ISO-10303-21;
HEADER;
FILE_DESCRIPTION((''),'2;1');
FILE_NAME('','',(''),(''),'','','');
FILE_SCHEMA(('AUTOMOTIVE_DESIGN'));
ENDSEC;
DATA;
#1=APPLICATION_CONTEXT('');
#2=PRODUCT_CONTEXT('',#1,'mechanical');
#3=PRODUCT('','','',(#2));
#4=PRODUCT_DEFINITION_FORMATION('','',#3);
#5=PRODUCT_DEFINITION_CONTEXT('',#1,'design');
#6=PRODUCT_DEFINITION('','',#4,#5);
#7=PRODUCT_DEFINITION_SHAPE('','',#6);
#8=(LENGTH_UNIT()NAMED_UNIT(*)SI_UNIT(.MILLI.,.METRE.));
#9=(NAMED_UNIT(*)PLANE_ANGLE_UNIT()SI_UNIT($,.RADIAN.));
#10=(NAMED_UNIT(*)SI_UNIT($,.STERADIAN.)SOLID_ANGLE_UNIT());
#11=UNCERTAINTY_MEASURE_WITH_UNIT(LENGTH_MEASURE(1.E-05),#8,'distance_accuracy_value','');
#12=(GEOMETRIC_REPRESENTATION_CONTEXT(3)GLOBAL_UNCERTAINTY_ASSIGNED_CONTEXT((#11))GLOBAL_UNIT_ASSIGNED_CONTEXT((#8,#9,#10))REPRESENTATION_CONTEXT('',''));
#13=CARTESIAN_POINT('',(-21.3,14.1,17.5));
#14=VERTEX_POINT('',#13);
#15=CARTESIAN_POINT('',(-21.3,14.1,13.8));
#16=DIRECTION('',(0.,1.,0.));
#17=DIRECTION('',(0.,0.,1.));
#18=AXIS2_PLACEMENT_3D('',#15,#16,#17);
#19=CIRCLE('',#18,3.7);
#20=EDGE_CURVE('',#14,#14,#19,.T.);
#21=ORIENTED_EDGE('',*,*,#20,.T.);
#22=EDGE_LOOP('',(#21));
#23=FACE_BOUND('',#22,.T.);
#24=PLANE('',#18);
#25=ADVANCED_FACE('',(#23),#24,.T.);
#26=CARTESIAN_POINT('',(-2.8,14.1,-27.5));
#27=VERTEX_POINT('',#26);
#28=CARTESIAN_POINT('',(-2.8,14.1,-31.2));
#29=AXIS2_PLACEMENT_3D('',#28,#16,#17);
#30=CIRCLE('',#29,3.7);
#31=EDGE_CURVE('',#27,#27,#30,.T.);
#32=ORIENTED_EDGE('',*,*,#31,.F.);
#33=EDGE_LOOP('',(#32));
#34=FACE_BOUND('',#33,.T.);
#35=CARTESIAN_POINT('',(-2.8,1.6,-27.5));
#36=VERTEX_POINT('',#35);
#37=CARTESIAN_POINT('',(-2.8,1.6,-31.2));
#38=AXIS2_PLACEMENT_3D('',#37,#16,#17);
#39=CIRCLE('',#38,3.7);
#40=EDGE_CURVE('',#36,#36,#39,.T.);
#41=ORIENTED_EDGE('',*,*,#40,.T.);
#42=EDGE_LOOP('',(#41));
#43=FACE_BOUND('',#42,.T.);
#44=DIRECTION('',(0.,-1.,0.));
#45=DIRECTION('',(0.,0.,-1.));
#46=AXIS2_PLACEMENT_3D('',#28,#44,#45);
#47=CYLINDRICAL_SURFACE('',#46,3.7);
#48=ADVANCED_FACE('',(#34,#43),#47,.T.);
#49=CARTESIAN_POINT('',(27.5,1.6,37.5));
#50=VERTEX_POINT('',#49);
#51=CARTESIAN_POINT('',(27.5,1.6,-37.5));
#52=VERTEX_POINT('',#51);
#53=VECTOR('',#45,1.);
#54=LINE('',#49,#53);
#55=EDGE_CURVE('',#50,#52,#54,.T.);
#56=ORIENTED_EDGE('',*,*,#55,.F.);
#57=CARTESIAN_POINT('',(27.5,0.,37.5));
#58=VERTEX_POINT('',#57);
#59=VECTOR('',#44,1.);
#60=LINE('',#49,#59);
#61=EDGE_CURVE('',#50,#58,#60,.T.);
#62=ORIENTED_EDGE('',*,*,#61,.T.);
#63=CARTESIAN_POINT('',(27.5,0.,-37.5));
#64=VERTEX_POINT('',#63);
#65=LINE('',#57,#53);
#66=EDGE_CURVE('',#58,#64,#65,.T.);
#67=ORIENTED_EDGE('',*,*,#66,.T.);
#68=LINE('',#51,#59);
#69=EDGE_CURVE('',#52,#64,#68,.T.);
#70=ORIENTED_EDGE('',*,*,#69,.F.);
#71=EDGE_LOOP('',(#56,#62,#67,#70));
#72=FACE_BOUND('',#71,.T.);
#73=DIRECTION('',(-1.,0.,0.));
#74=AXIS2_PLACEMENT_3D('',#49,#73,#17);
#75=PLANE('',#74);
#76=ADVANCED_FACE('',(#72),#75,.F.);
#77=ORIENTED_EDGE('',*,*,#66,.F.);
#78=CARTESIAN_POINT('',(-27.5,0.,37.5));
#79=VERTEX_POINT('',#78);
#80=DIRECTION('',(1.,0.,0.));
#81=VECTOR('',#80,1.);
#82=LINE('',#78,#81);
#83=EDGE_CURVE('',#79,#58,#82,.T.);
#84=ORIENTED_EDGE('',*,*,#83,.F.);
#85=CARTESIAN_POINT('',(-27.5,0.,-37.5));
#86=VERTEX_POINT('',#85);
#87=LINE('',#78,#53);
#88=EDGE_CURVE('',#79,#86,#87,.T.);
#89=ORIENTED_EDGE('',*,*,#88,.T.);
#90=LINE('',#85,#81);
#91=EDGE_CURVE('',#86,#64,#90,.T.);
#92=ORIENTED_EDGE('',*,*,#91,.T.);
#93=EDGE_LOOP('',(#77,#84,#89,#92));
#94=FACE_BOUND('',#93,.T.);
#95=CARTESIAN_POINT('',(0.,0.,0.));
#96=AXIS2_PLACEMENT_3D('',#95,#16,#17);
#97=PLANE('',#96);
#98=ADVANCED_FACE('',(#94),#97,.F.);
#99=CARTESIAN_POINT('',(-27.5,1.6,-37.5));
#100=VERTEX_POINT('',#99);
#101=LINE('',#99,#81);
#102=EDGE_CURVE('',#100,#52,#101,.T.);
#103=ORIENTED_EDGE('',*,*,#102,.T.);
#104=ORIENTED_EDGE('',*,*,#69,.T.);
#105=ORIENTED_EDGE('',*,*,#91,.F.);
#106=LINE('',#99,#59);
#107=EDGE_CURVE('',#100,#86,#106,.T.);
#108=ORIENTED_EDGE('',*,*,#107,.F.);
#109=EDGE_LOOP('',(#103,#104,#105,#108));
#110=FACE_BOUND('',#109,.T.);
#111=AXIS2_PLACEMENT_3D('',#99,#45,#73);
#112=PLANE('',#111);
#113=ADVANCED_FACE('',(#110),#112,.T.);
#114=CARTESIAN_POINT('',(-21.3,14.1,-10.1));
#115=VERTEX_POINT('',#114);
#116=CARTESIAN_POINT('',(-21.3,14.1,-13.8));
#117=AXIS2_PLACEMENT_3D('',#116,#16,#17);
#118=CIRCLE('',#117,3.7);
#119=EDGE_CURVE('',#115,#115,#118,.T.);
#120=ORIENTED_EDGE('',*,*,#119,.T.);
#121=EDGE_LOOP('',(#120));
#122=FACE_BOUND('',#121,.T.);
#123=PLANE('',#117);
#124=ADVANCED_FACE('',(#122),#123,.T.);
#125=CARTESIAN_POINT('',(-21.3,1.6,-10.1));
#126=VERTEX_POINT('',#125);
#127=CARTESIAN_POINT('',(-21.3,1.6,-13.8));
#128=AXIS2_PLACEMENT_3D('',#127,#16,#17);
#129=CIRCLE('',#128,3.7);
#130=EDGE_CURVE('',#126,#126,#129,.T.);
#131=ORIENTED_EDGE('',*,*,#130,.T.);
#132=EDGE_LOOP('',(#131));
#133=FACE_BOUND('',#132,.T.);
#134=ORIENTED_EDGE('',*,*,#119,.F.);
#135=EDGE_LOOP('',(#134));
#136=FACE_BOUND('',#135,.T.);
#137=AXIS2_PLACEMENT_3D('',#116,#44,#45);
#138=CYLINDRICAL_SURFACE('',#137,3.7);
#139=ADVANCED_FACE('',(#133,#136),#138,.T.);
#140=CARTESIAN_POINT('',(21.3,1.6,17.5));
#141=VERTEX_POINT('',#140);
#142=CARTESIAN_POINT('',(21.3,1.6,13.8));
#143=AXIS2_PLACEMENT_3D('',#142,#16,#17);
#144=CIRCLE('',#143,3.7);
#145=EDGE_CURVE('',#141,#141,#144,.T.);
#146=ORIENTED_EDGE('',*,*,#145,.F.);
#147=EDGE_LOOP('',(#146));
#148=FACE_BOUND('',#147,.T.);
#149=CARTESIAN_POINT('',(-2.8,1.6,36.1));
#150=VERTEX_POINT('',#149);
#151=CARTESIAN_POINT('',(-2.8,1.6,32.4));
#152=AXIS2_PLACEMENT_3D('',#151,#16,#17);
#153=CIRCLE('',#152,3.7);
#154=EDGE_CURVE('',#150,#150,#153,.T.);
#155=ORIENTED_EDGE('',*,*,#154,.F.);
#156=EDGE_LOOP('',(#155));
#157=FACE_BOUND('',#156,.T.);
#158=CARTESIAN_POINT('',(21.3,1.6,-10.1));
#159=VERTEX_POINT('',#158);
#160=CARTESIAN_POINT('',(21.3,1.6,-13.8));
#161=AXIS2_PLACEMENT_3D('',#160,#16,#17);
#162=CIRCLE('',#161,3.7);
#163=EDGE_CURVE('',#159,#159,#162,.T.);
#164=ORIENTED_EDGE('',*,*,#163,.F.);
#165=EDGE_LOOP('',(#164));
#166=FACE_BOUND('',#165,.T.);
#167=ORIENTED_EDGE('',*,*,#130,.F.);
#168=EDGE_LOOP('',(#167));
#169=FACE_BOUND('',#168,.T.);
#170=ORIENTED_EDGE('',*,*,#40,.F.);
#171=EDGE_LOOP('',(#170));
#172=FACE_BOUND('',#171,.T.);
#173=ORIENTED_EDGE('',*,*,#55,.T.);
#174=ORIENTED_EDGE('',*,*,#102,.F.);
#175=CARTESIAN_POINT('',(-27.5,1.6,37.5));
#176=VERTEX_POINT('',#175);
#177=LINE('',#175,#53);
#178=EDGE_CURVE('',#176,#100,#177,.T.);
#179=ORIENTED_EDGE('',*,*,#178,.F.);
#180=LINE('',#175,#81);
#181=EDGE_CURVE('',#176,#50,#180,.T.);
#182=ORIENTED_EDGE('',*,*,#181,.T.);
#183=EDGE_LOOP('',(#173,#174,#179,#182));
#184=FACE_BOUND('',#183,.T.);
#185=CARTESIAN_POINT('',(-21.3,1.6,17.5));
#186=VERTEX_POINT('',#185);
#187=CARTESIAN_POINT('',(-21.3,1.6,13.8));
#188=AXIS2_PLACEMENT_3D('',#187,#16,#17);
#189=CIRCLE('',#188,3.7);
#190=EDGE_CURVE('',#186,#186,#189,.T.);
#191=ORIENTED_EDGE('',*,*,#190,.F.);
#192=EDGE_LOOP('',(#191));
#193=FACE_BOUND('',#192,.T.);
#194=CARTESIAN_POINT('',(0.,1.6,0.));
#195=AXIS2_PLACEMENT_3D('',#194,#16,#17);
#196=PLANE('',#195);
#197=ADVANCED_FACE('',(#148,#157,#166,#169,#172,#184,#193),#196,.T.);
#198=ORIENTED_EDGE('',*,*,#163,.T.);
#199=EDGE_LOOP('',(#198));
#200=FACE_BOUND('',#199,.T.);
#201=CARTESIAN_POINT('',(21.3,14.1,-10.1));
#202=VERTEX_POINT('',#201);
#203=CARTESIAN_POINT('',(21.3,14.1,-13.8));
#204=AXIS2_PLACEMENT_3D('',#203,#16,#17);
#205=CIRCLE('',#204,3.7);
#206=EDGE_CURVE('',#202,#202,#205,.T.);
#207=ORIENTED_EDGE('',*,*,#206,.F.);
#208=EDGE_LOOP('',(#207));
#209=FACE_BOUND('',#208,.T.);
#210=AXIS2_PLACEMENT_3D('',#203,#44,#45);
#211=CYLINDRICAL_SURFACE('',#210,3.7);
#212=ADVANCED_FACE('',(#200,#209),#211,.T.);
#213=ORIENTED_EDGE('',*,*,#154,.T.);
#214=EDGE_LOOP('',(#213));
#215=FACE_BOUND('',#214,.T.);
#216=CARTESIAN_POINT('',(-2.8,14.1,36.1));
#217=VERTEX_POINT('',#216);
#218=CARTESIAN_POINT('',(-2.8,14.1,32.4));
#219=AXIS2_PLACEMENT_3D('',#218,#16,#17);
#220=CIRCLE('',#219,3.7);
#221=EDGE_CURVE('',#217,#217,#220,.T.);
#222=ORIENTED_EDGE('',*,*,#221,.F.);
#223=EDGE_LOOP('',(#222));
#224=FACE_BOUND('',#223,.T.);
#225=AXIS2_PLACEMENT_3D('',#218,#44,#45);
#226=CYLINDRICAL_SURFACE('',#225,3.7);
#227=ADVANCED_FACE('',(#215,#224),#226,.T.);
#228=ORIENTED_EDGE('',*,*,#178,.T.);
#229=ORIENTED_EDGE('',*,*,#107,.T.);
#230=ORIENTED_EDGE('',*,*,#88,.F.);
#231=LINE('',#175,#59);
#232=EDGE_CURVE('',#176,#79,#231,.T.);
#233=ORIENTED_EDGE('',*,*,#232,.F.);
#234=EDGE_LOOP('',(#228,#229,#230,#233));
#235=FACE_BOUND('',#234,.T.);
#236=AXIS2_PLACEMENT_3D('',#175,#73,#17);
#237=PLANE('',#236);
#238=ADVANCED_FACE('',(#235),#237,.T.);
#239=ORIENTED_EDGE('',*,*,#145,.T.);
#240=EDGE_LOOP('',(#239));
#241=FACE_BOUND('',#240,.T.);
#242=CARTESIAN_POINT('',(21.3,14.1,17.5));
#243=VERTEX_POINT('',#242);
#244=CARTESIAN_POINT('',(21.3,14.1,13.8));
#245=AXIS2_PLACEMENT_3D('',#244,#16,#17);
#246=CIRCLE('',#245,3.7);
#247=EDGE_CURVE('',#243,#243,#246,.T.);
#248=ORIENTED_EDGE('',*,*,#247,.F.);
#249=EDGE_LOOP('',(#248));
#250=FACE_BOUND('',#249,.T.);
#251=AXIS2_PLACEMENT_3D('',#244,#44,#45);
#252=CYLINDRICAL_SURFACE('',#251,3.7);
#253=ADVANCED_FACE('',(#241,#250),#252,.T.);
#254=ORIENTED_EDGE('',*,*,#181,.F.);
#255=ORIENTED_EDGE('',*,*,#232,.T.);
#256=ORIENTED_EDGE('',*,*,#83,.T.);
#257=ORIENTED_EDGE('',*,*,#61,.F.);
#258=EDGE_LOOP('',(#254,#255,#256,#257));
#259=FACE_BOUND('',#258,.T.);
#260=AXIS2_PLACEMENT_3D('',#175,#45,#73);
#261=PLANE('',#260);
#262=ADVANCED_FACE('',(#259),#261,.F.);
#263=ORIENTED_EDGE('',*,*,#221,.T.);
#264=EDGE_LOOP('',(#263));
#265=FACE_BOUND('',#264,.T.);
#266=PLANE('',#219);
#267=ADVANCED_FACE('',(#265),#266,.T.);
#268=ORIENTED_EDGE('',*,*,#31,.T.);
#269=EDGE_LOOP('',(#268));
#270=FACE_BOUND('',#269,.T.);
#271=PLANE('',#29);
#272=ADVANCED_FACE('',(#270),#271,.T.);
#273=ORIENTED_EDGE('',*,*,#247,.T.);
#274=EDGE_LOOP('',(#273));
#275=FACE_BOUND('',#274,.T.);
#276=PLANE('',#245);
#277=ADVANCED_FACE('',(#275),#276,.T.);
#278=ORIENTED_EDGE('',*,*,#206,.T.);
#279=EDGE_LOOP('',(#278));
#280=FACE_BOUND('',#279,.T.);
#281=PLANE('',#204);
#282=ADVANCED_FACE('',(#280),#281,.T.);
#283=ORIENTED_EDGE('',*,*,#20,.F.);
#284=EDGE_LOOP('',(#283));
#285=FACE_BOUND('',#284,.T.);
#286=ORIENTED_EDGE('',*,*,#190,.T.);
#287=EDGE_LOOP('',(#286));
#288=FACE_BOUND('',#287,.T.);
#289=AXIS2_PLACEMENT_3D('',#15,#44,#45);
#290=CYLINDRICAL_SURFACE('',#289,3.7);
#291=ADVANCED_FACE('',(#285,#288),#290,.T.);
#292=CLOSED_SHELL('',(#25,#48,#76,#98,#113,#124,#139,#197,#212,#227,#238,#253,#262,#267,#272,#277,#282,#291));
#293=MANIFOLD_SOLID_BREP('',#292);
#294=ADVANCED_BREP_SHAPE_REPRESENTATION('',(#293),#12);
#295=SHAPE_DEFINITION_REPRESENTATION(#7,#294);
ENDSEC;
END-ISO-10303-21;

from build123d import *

# Parameters (mm, degrees)
SKETCH1_W           = 55
SKETCH1_H           = 75
BOSS_EXTRUDE1_DEPTH = 1.6
SKETCH2_R           = 3.7
BOSS_EXTRUDE2_DEPTH = 12.5


with BuildPart() as part:
    # Sketch1 → Boss-Extrude1 (new body)
    with BuildSketch(Plane(origin=(0, 0, 0), x_dir=(1, 0, 0), z_dir=(0, 1, 0))):
        Rectangle(SKETCH1_W, SKETCH1_H)
    extrude(amount=BOSS_EXTRUDE1_DEPTH)

    # Sketch2 → Boss-Extrude2 (add)
    with BuildSketch(Plane(origin=(0, 1.6, 0), x_dir=(1, 0, 0), z_dir=(0, 1, 0))):
        with Locations(Location((-2.8, -32.4, 0), (0, 0, 270))):
            Circle(SKETCH2_R)
        with Locations(Location((-21.3, -13.8, 0), (0, 0, 270))):
            Circle(SKETCH2_R)
        with Locations(Location((-21.3, 13.8, 0), (0, 0, 270))):
            Circle(SKETCH2_R)
        with Locations(Location((-2.8, 31.2, 0), (0, 0, 270))):
            Circle(SKETCH2_R)
        with Locations(Location((21.3, 13.8, 0), (0, 0, 270))):
            Circle(SKETCH2_R)
        with Locations(Location((21.3, -13.8, 0), (0, 0, 270))):
            Circle(SKETCH2_R)
    extrude(amount=BOSS_EXTRUDE2_DEPTH)


solid = part.part
